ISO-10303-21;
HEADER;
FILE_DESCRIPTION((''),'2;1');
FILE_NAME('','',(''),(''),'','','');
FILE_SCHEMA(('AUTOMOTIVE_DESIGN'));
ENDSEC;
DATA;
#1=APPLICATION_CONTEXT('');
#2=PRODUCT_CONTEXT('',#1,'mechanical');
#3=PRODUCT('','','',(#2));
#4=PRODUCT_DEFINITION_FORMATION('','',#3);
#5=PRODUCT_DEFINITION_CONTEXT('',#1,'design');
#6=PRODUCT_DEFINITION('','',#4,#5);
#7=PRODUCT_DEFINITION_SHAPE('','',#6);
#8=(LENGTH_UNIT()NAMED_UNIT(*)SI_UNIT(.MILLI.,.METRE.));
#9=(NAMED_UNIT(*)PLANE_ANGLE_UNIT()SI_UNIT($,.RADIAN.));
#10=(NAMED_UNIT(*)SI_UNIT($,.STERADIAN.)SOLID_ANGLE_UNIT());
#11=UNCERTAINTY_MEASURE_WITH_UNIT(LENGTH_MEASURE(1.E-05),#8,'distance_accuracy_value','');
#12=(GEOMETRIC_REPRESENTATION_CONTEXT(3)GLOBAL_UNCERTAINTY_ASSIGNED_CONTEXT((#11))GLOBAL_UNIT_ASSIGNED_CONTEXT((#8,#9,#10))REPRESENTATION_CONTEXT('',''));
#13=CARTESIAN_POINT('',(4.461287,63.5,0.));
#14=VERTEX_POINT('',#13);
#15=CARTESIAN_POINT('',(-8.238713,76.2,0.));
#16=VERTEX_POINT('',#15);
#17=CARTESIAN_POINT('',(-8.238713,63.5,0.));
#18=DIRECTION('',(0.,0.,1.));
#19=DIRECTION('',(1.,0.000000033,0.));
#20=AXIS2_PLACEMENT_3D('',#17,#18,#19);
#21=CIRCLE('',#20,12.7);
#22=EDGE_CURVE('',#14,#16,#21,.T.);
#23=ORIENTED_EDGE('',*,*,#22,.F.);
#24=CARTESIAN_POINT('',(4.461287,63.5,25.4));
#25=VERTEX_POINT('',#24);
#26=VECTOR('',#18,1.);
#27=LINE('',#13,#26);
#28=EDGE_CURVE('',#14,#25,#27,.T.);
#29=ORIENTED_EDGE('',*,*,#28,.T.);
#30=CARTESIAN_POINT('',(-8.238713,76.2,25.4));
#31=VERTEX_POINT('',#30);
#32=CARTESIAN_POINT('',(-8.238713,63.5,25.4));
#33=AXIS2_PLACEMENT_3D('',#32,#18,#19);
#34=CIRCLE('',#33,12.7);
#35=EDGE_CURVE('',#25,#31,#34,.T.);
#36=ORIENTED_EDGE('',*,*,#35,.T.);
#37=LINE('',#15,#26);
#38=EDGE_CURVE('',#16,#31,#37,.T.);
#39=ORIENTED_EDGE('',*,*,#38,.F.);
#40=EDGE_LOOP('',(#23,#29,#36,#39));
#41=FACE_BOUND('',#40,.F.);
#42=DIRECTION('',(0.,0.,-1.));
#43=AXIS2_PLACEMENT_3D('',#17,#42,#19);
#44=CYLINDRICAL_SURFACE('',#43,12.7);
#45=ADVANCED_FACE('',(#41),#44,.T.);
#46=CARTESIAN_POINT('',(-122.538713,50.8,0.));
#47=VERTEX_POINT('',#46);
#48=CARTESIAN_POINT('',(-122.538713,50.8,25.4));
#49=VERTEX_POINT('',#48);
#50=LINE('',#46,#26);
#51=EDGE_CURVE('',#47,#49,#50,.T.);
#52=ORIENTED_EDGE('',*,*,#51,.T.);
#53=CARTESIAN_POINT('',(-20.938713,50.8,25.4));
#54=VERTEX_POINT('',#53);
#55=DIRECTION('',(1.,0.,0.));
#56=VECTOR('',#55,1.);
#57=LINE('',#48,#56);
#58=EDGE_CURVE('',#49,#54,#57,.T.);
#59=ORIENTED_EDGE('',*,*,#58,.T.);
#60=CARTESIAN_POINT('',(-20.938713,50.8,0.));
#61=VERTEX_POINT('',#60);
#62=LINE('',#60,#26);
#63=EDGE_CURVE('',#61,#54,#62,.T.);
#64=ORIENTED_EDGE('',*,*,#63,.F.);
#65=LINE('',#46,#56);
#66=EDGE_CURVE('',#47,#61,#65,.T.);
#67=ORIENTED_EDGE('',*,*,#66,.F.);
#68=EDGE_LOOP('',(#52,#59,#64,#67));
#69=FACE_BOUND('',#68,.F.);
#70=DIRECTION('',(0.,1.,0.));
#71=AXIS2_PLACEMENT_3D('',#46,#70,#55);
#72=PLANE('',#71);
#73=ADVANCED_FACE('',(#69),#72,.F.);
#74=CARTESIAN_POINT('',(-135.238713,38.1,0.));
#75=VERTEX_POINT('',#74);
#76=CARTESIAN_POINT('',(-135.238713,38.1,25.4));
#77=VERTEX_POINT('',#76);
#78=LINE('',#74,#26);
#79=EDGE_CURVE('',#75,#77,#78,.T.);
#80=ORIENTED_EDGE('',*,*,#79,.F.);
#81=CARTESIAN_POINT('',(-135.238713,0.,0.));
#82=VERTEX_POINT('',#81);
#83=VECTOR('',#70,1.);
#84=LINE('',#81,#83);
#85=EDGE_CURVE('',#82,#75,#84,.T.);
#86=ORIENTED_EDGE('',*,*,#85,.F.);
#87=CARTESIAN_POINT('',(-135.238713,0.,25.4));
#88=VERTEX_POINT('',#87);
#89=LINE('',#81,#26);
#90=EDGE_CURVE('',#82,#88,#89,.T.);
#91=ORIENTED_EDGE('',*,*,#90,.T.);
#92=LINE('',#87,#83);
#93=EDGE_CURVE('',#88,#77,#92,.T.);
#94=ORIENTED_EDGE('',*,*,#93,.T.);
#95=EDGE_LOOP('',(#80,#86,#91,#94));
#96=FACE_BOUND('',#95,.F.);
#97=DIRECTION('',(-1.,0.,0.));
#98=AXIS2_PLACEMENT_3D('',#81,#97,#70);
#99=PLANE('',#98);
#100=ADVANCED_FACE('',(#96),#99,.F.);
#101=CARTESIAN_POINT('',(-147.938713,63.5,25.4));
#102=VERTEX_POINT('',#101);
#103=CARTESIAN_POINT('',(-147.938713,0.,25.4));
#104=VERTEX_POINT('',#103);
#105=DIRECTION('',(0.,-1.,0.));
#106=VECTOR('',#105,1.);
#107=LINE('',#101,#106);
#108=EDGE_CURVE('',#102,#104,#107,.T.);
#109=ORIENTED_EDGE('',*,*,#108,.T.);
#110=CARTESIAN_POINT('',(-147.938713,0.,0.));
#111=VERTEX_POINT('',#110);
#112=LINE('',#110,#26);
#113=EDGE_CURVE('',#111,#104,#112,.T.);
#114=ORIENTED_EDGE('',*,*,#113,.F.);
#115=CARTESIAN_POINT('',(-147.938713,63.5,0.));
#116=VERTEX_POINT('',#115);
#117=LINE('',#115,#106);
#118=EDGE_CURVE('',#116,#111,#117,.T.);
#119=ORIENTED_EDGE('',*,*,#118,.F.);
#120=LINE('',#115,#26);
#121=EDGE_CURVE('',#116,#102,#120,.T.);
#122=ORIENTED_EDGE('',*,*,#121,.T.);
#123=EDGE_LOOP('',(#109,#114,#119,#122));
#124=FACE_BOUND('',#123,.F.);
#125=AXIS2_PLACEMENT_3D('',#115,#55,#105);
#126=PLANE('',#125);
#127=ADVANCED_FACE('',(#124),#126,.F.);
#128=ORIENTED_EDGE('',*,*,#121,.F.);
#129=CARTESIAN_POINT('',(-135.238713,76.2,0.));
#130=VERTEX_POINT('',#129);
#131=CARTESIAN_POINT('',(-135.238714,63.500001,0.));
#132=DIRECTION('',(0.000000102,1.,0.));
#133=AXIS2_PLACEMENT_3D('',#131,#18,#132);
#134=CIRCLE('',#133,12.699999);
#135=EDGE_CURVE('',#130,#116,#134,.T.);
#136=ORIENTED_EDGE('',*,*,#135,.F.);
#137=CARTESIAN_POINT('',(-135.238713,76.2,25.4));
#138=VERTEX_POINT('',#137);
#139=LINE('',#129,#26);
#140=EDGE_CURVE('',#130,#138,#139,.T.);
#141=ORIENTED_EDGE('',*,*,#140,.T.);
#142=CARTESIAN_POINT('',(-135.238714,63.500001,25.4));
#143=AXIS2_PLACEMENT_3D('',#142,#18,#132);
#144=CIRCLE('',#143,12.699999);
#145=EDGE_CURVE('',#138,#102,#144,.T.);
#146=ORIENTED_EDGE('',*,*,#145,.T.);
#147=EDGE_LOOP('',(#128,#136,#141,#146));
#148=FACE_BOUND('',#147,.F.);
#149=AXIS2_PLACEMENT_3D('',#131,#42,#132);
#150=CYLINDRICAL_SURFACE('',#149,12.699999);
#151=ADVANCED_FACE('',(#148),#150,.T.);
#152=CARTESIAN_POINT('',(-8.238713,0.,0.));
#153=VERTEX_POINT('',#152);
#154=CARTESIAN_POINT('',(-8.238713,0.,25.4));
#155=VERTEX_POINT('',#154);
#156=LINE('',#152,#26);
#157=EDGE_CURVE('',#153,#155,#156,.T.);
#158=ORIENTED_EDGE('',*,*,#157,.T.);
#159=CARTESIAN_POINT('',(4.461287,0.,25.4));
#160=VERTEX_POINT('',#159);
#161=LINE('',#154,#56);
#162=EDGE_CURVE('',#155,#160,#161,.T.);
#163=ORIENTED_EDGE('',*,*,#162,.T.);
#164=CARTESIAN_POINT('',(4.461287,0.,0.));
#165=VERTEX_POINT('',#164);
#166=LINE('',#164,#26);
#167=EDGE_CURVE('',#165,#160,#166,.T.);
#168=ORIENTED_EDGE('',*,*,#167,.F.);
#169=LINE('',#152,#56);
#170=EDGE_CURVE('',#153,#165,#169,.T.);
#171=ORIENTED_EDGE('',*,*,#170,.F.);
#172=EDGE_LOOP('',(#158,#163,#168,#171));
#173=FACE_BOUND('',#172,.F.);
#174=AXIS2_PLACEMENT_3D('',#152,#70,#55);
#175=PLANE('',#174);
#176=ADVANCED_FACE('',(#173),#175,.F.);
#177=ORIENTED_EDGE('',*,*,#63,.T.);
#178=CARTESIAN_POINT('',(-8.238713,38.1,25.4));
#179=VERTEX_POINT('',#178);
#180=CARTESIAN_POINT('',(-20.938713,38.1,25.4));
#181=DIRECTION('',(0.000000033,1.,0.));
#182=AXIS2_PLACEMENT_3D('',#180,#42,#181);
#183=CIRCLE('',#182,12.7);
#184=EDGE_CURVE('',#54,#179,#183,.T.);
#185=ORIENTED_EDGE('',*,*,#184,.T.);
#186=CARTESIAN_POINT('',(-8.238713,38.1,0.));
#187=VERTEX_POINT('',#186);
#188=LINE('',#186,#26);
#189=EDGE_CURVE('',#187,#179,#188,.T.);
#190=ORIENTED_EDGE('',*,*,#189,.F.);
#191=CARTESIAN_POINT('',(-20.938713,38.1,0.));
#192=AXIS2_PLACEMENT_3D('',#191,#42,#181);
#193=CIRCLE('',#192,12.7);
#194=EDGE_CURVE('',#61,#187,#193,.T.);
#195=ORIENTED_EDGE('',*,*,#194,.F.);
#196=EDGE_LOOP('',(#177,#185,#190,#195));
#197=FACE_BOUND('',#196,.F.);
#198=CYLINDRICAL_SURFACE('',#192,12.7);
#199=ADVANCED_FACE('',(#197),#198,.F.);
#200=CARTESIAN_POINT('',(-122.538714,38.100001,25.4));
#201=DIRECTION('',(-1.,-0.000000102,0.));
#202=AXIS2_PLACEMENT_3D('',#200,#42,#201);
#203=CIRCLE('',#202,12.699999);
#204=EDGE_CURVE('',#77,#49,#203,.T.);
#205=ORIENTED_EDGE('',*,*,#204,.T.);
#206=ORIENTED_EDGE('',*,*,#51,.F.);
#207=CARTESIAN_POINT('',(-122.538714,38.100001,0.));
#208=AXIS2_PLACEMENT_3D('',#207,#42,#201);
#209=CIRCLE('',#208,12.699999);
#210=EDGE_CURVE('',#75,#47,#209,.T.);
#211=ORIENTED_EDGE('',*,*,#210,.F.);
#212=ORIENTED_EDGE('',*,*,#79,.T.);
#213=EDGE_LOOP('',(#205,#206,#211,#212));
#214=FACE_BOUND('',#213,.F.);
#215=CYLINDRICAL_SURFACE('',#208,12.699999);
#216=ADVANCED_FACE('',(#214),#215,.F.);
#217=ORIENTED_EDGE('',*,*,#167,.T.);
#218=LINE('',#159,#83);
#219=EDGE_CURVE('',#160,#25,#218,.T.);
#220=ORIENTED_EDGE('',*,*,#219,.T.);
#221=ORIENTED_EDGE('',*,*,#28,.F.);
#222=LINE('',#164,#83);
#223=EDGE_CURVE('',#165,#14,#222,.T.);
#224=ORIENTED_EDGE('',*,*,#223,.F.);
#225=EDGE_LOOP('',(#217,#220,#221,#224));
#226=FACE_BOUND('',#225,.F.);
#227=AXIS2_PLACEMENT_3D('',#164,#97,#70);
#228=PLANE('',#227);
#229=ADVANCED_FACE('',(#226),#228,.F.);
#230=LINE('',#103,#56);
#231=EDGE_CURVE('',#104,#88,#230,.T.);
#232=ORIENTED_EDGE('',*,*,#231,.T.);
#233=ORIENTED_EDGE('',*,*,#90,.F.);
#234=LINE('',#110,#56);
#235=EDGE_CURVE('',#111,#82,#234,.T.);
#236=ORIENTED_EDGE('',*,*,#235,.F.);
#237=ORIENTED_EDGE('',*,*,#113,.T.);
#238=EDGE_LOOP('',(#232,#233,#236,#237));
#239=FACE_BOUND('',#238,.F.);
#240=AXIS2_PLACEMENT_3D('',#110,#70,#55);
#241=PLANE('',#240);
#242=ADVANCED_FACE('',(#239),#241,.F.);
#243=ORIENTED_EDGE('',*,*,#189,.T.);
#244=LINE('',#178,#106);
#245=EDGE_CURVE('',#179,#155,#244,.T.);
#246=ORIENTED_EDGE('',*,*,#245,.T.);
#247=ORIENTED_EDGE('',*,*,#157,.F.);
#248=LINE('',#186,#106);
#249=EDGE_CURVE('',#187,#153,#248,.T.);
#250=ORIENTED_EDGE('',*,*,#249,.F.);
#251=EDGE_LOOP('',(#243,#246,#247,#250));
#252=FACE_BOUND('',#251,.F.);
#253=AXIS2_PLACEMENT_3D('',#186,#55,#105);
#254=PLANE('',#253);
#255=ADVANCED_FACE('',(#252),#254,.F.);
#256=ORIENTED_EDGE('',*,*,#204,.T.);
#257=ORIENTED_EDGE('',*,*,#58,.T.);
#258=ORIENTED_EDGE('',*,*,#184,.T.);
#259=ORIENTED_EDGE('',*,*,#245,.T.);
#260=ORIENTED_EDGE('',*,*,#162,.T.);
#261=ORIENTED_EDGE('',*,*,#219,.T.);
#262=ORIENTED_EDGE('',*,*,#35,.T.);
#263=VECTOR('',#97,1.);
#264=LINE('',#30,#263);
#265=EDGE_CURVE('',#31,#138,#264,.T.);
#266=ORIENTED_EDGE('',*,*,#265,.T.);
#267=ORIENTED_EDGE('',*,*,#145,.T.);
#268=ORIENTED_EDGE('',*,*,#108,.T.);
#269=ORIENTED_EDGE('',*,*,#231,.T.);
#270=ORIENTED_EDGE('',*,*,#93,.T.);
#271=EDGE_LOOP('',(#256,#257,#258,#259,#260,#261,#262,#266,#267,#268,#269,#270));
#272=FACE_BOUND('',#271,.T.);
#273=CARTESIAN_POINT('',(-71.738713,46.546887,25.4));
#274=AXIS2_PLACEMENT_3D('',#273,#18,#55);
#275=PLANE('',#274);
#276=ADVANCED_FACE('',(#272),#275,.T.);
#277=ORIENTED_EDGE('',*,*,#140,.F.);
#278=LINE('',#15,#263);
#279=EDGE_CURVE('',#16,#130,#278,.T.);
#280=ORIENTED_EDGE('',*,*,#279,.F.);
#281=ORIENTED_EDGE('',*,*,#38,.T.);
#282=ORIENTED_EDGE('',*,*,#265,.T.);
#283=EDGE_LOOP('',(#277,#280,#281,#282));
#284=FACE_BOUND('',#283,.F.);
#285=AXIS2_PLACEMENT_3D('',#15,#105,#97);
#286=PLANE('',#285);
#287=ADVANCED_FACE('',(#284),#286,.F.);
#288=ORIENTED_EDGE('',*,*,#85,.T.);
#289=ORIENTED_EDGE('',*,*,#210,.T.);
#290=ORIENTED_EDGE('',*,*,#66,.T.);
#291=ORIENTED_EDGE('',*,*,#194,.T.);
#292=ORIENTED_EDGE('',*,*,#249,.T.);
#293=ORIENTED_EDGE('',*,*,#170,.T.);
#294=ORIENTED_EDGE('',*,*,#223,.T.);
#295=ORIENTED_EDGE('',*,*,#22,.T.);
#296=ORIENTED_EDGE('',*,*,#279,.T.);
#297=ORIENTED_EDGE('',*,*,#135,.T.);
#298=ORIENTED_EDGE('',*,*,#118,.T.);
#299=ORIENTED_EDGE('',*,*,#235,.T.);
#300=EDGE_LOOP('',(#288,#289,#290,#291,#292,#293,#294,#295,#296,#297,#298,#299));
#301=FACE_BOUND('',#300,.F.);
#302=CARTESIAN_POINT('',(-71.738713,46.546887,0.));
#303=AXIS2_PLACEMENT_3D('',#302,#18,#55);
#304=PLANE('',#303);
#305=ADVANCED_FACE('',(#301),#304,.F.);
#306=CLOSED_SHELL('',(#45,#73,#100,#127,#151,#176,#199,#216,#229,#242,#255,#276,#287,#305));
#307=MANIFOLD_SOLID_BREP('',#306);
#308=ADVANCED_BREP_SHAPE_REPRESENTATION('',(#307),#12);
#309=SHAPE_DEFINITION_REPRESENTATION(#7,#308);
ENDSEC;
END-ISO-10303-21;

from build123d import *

# Parameters (mm, degrees)
F1_DEPTH = 25.4


with BuildPart() as f1:
    # F0 (on Top) → F1 (new body)
    with BuildSketch(Plane.XY):
        with BuildLine():
            Line((-147.938713, 0), (-135.238713, 0))
            Line((-135.238713, 0), (-135.238713, 38.1))
            ThreePointArc((-135.238713, 38.1), (-131.51897, 47.080256), (-122.538713, 50.8))
            Line((-122.538713, 50.8), (-20.938713, 50.8))
            ThreePointArc((-20.938713, 50.8), (-11.958457, 47.080256), (-8.238713, 38.1))
            Line((-8.238713, 38.1), (-8.238713, 0))
            Line((-8.238713, 0), (4.461287, 0))
            Line((4.461287, 0), (4.461287, 63.5))
            ThreePointArc((4.461287, 63.5), (0.741543, 72.480256), (-8.238713, 76.2))
            Line((-8.238713, 76.2), (-135.238713, 76.2))
            ThreePointArc((-135.238713, 76.2), (-144.21897, 72.480256), (-147.938713, 63.5))
            Line((-147.938713, 63.5), (-147.938713, 0))
        make_face()
    extrude(amount=F1_DEPTH)


solid = f1.part
